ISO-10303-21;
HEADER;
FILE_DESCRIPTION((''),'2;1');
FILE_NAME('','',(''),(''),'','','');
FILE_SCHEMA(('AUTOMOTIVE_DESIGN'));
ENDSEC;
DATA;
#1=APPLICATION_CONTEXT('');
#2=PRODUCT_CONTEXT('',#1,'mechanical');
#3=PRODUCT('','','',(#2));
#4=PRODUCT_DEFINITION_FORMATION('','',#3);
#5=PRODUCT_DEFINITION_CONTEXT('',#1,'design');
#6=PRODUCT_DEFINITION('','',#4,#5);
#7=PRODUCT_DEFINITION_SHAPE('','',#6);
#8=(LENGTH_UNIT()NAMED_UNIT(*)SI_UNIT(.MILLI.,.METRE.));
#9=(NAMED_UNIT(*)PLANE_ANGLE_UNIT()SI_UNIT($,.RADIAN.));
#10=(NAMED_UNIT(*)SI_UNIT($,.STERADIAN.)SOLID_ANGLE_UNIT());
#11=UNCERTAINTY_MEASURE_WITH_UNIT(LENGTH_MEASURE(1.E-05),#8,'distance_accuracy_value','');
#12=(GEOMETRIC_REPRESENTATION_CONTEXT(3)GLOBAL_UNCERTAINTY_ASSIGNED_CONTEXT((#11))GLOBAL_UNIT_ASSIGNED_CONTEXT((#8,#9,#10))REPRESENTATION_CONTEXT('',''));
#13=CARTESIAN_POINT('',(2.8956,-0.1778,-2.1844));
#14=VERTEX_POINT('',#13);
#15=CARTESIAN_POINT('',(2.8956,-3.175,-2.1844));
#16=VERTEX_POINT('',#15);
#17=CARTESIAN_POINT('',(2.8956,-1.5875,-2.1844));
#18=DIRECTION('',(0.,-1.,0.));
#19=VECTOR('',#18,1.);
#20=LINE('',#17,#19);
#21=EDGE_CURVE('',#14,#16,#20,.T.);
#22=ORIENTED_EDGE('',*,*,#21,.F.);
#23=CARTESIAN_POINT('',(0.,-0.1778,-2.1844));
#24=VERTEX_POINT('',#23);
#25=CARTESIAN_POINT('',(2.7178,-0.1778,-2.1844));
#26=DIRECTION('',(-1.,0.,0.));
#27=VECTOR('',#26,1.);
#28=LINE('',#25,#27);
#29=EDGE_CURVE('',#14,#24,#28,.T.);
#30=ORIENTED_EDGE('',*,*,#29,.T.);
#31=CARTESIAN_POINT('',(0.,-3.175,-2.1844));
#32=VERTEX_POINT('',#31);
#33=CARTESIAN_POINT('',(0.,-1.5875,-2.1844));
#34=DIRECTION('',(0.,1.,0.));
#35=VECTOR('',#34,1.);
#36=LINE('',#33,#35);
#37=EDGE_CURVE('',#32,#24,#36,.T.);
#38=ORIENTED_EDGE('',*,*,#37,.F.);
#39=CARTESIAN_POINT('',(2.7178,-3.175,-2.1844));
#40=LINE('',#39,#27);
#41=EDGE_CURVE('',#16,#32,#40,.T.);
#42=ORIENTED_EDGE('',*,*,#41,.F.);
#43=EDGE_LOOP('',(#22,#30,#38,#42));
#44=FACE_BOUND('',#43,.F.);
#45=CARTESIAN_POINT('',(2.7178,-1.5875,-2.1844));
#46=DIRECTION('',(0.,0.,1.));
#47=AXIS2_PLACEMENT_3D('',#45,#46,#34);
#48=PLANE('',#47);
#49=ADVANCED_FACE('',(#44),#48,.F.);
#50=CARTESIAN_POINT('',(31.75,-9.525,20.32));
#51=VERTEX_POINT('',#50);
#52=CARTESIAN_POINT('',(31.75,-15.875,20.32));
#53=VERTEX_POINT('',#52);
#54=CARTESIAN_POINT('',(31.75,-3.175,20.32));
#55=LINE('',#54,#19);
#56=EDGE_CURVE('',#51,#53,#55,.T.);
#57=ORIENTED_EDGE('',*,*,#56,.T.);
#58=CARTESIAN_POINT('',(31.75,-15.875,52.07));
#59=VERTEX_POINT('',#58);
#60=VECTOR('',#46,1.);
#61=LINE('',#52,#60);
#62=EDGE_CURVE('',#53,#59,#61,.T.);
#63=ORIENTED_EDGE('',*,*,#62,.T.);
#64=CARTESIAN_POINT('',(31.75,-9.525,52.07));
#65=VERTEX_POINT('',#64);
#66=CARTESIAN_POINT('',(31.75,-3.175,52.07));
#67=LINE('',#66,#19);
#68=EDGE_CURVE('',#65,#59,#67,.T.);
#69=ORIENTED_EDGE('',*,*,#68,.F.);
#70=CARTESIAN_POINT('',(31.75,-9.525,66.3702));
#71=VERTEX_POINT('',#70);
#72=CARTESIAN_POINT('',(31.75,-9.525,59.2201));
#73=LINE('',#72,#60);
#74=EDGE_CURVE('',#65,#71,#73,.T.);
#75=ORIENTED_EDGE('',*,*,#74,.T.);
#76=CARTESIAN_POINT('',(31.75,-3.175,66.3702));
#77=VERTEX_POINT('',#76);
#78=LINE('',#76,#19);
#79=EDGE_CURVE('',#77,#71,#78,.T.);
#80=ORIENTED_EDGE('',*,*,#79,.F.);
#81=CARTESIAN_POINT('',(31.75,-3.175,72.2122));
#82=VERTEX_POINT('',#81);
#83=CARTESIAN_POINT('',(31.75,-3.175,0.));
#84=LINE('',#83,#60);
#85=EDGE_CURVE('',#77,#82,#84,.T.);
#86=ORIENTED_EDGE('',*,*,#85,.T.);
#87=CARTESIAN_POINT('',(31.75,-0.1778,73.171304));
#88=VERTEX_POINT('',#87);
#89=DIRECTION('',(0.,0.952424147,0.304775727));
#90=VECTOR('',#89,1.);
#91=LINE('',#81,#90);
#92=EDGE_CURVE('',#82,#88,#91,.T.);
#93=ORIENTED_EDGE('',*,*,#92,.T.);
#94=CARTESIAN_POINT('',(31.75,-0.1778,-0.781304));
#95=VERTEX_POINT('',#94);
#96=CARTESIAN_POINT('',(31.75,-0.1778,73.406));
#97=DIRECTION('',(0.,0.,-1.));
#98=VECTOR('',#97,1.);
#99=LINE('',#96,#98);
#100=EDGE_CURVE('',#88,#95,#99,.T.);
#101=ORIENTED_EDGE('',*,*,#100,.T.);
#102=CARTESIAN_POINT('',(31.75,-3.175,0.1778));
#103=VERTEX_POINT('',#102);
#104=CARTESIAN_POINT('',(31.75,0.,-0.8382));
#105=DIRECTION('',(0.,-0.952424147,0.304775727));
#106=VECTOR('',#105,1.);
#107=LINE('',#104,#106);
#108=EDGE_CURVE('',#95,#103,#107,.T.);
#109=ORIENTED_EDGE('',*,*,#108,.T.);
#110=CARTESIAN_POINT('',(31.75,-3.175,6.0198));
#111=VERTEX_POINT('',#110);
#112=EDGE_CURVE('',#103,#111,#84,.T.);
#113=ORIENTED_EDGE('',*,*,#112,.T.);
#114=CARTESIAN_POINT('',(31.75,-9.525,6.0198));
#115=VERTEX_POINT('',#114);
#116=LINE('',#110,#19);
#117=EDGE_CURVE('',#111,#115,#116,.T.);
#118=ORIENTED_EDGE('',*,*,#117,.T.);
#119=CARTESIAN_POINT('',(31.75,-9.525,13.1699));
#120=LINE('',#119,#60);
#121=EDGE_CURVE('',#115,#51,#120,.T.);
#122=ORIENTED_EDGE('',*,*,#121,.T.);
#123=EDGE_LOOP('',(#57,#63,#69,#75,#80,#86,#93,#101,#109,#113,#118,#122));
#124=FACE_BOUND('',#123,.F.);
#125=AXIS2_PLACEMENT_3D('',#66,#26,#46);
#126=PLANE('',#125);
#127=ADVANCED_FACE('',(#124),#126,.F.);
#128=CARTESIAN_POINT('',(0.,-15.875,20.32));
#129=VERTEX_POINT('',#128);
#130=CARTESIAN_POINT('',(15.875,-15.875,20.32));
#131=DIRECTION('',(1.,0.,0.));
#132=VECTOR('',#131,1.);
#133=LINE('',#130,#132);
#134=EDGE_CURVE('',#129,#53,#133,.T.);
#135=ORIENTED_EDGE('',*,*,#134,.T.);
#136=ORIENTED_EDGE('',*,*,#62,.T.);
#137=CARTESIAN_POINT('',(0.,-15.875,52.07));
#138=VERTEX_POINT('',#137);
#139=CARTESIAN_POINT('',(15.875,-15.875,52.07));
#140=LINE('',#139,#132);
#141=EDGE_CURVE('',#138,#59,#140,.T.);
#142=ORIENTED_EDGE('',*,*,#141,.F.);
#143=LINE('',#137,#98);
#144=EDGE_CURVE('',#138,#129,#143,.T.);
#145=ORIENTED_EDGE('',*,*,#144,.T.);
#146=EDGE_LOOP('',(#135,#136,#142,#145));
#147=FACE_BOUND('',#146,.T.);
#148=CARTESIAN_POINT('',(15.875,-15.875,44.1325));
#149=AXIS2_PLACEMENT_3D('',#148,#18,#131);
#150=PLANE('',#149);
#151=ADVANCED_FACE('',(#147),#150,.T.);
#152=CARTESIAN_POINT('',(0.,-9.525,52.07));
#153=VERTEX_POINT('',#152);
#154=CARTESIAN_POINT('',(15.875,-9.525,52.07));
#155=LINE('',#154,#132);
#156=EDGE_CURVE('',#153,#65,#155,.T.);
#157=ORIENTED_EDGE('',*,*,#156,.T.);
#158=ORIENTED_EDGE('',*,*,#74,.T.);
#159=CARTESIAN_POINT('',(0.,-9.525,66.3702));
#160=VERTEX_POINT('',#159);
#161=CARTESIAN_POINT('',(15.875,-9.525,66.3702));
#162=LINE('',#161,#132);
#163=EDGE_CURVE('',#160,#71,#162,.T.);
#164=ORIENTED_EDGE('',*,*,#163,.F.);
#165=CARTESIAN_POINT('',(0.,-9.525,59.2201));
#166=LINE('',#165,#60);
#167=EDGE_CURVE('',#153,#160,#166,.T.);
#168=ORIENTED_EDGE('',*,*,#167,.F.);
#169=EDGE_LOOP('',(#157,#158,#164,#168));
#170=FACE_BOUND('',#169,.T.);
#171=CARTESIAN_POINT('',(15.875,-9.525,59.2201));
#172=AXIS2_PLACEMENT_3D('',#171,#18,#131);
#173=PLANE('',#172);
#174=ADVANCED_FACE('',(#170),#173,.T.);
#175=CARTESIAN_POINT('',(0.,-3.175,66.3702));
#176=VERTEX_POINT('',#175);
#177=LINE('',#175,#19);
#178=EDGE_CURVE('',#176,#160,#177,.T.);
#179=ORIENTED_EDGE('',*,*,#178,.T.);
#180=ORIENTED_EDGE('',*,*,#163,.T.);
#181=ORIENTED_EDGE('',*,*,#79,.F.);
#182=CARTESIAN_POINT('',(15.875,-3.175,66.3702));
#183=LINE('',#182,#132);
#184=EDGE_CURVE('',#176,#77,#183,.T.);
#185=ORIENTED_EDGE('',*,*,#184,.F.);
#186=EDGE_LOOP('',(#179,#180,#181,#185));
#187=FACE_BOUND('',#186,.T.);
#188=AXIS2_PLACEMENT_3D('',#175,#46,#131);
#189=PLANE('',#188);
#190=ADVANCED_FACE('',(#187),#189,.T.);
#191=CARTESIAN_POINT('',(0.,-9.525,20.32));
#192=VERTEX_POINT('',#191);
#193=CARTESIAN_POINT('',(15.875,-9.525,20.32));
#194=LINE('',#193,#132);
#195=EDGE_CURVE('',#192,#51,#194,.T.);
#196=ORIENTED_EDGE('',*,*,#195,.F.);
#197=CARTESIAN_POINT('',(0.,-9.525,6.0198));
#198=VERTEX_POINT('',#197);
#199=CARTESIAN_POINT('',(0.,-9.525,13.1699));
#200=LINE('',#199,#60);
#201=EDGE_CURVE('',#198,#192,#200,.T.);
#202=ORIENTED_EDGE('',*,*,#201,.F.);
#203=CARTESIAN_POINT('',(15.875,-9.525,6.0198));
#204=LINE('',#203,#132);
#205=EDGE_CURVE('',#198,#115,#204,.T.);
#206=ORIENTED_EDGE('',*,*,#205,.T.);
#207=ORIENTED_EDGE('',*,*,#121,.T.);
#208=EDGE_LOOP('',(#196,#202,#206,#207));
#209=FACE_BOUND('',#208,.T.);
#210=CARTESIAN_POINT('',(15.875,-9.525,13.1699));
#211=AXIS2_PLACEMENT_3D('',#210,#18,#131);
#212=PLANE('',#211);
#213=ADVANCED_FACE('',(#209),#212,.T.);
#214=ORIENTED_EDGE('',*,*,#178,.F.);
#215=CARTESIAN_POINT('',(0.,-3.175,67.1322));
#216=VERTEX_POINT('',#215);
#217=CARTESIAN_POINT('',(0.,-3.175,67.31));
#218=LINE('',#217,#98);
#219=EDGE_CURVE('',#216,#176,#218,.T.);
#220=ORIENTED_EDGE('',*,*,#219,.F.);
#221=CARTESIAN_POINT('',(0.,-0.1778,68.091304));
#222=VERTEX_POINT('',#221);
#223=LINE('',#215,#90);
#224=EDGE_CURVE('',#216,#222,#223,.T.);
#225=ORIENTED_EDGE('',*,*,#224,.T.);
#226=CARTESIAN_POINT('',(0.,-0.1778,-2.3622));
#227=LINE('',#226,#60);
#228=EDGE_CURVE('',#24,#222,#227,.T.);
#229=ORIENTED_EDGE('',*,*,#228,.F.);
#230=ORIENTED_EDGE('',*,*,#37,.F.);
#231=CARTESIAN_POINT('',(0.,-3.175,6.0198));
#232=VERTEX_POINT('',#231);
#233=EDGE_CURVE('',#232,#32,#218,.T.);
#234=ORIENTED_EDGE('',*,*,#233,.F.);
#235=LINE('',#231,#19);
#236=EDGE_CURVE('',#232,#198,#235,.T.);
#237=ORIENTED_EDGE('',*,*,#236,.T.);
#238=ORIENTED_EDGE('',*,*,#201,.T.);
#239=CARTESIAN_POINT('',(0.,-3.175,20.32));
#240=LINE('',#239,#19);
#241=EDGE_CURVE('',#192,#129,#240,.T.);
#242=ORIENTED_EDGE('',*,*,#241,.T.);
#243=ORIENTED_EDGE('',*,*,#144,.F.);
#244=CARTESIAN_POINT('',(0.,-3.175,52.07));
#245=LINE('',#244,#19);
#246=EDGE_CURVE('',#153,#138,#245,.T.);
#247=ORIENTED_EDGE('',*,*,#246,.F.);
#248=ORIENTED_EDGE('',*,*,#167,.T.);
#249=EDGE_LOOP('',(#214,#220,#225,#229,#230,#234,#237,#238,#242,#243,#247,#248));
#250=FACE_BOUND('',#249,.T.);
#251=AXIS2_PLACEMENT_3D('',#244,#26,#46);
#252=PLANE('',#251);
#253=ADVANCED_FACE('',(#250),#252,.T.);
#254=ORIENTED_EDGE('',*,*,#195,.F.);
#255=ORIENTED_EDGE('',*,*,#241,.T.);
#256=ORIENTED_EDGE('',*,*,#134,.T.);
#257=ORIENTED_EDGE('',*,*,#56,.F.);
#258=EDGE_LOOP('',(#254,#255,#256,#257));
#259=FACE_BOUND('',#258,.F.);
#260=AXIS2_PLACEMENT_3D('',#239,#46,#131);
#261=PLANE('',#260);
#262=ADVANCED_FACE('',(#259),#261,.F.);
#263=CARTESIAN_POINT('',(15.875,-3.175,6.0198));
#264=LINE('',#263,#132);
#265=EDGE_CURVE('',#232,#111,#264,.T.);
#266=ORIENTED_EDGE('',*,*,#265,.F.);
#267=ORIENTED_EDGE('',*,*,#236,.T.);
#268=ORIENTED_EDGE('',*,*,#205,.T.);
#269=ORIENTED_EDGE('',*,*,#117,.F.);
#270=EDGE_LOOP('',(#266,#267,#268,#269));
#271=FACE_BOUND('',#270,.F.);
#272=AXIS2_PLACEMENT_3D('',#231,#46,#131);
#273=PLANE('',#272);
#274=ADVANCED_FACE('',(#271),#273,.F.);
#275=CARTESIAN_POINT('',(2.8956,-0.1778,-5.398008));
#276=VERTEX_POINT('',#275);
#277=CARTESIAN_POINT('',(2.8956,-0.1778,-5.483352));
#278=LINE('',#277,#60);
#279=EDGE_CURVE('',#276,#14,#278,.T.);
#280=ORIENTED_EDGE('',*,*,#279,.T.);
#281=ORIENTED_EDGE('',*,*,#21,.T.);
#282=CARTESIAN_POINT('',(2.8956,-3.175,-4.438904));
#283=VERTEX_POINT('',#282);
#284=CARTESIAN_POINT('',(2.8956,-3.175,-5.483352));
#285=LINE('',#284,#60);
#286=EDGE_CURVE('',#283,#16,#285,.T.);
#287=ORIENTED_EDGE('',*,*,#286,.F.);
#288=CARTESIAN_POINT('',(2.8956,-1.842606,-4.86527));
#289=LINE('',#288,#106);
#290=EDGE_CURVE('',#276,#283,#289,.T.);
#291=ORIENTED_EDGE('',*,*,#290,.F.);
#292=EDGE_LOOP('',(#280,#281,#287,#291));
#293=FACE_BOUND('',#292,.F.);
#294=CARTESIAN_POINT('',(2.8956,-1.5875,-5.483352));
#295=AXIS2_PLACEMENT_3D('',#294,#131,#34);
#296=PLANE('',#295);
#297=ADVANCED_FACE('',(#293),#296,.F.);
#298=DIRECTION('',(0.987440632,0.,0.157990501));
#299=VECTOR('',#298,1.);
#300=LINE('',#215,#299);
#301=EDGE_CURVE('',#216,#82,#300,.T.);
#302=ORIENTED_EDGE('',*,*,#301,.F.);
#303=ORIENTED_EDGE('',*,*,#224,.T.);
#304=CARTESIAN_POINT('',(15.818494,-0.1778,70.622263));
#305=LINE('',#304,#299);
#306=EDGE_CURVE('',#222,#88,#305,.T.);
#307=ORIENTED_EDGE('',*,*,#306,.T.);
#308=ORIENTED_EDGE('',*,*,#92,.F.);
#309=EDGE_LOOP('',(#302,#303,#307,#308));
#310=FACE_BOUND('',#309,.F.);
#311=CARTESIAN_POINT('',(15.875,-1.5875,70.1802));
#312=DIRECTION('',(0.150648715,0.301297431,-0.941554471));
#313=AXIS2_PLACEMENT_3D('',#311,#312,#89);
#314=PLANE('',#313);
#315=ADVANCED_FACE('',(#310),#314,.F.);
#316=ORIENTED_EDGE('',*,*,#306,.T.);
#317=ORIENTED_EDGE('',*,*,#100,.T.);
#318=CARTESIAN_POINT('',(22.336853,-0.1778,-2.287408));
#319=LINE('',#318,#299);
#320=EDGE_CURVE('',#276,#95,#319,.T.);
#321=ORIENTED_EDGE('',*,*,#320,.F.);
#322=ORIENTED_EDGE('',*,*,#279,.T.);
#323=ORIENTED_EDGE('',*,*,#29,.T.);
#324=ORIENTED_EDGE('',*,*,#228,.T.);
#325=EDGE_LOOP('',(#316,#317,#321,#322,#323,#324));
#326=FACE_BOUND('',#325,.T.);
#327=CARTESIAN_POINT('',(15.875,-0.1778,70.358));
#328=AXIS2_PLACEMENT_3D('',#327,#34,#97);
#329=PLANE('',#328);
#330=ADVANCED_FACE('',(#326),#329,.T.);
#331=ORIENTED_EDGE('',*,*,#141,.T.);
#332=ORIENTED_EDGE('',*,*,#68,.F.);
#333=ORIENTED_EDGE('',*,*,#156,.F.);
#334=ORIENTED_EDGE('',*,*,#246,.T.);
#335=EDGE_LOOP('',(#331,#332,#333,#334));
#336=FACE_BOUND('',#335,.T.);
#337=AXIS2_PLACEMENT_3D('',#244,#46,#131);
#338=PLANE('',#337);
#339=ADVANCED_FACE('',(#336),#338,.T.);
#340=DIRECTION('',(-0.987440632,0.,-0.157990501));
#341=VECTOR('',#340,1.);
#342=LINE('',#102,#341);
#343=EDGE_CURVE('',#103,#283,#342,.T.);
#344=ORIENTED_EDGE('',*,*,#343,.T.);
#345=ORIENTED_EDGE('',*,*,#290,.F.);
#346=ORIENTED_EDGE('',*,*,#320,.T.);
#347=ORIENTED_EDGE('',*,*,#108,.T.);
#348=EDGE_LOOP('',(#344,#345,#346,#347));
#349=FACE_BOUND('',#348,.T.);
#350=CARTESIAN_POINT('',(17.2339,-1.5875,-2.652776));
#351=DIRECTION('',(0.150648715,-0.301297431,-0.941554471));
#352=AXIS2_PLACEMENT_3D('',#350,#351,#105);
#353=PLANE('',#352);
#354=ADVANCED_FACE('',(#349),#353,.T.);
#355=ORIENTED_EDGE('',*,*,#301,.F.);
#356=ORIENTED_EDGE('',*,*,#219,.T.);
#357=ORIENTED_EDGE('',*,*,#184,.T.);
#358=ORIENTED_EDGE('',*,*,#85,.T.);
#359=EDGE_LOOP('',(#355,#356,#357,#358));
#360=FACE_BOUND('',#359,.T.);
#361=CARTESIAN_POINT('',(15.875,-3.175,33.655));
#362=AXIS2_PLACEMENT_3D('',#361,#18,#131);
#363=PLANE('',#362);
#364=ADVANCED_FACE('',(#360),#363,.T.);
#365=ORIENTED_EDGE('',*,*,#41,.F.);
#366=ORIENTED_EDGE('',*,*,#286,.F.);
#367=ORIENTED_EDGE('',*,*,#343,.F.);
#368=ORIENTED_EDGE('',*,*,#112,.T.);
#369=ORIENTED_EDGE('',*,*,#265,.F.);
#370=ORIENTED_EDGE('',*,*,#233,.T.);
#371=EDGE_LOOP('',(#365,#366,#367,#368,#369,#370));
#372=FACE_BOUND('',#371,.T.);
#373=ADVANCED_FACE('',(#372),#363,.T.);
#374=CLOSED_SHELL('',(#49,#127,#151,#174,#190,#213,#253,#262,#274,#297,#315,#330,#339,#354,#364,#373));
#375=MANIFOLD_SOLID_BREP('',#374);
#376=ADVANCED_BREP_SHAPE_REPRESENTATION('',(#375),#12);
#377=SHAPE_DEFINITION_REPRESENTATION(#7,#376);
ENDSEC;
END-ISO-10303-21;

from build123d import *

# Parameters (mm, degrees)
F0_W      = 31.75
F0_H      = 67.31
F1_DEPTH  = 3.175
F3_DEPTH  = 25.4
F12_W     = 3.175
F12_H     = 0.1778
F14_DEPTH = 0.1778
F15_W     = 31.75
F15_H     = 15.875
F16_DEPTH = 12.7
F15_H_2   = 14.3002
F17_DEPTH = 6.35


with BuildPart() as f1:
    # F0 (on Front) → F1 (new body)
    with BuildSketch(Plane.XZ):
        with Locations((15.875, 33.655)):
            Rectangle(F0_W, F0_H)
        Polygon((31.75, 72.39), (0, 67.31), (31.75, 67.31), align=None)
        Polygon((31.75, 0), (0, 0), (0, -5.08), align=None)
    extrude(amount=F1_DEPTH)

    # F2 (on face) → F3 (cut)
    with BuildSketch(Plane.XZ.offset(3.175)):
        Polygon((0, -2.3622), (0, -2.54), (2.54, -2.54), (2.54, -4.6736), (2.7178, -4.645152), (2.7178, -2.3622), align=None)
        Polygon((2.54, -4.6736), (0, -5.08), (2.54, -5.08), align=None)
        Polygon((0, -2.54), (0, -5.08), (2.54, -4.6736), (2.54, -2.54), align=None)
    extrude(amount=-F3_DEPTH, mode=Mode.SUBTRACT)

    # F5: sweep along a path in F5_path
    with BuildLine(Plane(origin=(31.75, -3.175, 0), x_dir=(0.9874406319, 0, 0.1579905011), z_dir=(0.1579905011, 0, -0.9874406319))) as f5_path:
        Line((0, 0), (-29.4014638061, 0))
    # F4 (on face) → F5 (sweep)
    with BuildSketch(Plane(origin=(2.7178, 0, 0), x_dir=(0, -1, 0), z_dir=(-1, 0, 0))):
        Polygon((0, -5.661152), (3.175, -4.645152), (0, -4.645152), align=None)
    sweep(path=f5_path.line)

    # F7: sweep along a path in F7_path
    with BuildLine(Plane(origin=(31.75, -3.175, 72.39), x_dir=(0.9874406319, 0, 0.1579905011), z_dir=(0.1579905011, 0, -0.9874406319))) as f7_path:
        Line((0, 0), (-32.153831809, 0))
    # F6 (on face) → F7 (sweep)
    with BuildSketch(Plane(origin=(0, 0, 0), x_dir=(0, -1, 0), z_dir=(-1, 0, 0))):
        Polygon((0, 68.326), (0, 67.31), (3.175, 67.31), align=None)
    sweep(path=f7_path.line)

    # F9: sweep along a path in F9_path
    with BuildLine(Plane(origin=(0, -3.175, 67.31), x_dir=(-0.9874406319, 0, -0.1579905011), z_dir=(-0.1579905011, 0, 0.9874406319))) as f9_path:
        Line((0, 0), (-32.153831809, 0))
    # F8 (on face) → F9 (sweep, cut)
    with BuildSketch(Plane.YZ.offset(31.75)):
        Polygon((0, 73.406), (-3.175, 72.39), (-3.175, 72.2122), (0, 73.2282), align=None)
    sweep(path=f9_path.line, mode=Mode.SUBTRACT)

    # F11: sweep along a path in F11_path
    with BuildLine(Plane(origin=(31.75, -3.175, 0), x_dir=(0.9874406319, 0, 0.1579905011), z_dir=(0.1579905011, 0, -0.9874406319))) as f11_path:
        Line((0, 0), (-29.4014638061, 0))
    # F10 (on face) → F11 (sweep, cut)
    with BuildSketch(Plane.YZ.offset(31.75)):
        Polygon((-3.175, 0.1778), (-3.175, 0), (0, -1.016), (0, -0.8382), align=None)
    sweep(path=f11_path.line, mode=Mode.SUBTRACT)

    # F13: sweep along a path in F13_path
    with BuildLine(Plane(origin=(2.7178, 0, -2.3622), x_dir=(0, 0, -1), z_dir=(0, 1, 0))) as f13_path:
        Line((3.121152, 0), (0, 0))
        Line((0, 0), (0, 2.7178))
    # F12 (on face) → F13 (sweep, cut)
    with BuildSketch(Plane(origin=(0, 0, 0), x_dir=(0, -1, 0), z_dir=(-1, 0, 0))):
        with Locations((1.5875, -2.2733)):
            Rectangle(F12_W, F12_H)
    sweep(path=f13_path.line, transition=Transition.RIGHT, mode=Mode.SUBTRACT)

    # F14 (cut): a face of the model
    f14_faces = [f1.faces().sort_by_distance(p)[0] for p in [
        (15.9376220602, 0, 33.8178143866),
    ]]
    extrude(f14_faces, amount=-F14_DEPTH, mode=Mode.SUBTRACT)

    # F15 (on face) → F16 (join)
    with BuildSketch(Plane.XZ.offset(3.175)):
        with Locations((15.875, 44.1325)):
            Rectangle(F15_W, F15_H)
        with Locations((15.875, 28.2575)):
            Rectangle(F15_W, F15_H)
    extrude(amount=F16_DEPTH)

    # F15 (on face) → F17 (join)
    with BuildSketch(Plane.XZ.offset(3.175)):
        with Locations((15.875, 59.2201)):
            Rectangle(F15_W, F15_H_2)
        with Locations((15.875, 13.1699)):
            Rectangle(F15_W, F15_H_2)
    extrude(amount=F17_DEPTH)


solid = f1.part
